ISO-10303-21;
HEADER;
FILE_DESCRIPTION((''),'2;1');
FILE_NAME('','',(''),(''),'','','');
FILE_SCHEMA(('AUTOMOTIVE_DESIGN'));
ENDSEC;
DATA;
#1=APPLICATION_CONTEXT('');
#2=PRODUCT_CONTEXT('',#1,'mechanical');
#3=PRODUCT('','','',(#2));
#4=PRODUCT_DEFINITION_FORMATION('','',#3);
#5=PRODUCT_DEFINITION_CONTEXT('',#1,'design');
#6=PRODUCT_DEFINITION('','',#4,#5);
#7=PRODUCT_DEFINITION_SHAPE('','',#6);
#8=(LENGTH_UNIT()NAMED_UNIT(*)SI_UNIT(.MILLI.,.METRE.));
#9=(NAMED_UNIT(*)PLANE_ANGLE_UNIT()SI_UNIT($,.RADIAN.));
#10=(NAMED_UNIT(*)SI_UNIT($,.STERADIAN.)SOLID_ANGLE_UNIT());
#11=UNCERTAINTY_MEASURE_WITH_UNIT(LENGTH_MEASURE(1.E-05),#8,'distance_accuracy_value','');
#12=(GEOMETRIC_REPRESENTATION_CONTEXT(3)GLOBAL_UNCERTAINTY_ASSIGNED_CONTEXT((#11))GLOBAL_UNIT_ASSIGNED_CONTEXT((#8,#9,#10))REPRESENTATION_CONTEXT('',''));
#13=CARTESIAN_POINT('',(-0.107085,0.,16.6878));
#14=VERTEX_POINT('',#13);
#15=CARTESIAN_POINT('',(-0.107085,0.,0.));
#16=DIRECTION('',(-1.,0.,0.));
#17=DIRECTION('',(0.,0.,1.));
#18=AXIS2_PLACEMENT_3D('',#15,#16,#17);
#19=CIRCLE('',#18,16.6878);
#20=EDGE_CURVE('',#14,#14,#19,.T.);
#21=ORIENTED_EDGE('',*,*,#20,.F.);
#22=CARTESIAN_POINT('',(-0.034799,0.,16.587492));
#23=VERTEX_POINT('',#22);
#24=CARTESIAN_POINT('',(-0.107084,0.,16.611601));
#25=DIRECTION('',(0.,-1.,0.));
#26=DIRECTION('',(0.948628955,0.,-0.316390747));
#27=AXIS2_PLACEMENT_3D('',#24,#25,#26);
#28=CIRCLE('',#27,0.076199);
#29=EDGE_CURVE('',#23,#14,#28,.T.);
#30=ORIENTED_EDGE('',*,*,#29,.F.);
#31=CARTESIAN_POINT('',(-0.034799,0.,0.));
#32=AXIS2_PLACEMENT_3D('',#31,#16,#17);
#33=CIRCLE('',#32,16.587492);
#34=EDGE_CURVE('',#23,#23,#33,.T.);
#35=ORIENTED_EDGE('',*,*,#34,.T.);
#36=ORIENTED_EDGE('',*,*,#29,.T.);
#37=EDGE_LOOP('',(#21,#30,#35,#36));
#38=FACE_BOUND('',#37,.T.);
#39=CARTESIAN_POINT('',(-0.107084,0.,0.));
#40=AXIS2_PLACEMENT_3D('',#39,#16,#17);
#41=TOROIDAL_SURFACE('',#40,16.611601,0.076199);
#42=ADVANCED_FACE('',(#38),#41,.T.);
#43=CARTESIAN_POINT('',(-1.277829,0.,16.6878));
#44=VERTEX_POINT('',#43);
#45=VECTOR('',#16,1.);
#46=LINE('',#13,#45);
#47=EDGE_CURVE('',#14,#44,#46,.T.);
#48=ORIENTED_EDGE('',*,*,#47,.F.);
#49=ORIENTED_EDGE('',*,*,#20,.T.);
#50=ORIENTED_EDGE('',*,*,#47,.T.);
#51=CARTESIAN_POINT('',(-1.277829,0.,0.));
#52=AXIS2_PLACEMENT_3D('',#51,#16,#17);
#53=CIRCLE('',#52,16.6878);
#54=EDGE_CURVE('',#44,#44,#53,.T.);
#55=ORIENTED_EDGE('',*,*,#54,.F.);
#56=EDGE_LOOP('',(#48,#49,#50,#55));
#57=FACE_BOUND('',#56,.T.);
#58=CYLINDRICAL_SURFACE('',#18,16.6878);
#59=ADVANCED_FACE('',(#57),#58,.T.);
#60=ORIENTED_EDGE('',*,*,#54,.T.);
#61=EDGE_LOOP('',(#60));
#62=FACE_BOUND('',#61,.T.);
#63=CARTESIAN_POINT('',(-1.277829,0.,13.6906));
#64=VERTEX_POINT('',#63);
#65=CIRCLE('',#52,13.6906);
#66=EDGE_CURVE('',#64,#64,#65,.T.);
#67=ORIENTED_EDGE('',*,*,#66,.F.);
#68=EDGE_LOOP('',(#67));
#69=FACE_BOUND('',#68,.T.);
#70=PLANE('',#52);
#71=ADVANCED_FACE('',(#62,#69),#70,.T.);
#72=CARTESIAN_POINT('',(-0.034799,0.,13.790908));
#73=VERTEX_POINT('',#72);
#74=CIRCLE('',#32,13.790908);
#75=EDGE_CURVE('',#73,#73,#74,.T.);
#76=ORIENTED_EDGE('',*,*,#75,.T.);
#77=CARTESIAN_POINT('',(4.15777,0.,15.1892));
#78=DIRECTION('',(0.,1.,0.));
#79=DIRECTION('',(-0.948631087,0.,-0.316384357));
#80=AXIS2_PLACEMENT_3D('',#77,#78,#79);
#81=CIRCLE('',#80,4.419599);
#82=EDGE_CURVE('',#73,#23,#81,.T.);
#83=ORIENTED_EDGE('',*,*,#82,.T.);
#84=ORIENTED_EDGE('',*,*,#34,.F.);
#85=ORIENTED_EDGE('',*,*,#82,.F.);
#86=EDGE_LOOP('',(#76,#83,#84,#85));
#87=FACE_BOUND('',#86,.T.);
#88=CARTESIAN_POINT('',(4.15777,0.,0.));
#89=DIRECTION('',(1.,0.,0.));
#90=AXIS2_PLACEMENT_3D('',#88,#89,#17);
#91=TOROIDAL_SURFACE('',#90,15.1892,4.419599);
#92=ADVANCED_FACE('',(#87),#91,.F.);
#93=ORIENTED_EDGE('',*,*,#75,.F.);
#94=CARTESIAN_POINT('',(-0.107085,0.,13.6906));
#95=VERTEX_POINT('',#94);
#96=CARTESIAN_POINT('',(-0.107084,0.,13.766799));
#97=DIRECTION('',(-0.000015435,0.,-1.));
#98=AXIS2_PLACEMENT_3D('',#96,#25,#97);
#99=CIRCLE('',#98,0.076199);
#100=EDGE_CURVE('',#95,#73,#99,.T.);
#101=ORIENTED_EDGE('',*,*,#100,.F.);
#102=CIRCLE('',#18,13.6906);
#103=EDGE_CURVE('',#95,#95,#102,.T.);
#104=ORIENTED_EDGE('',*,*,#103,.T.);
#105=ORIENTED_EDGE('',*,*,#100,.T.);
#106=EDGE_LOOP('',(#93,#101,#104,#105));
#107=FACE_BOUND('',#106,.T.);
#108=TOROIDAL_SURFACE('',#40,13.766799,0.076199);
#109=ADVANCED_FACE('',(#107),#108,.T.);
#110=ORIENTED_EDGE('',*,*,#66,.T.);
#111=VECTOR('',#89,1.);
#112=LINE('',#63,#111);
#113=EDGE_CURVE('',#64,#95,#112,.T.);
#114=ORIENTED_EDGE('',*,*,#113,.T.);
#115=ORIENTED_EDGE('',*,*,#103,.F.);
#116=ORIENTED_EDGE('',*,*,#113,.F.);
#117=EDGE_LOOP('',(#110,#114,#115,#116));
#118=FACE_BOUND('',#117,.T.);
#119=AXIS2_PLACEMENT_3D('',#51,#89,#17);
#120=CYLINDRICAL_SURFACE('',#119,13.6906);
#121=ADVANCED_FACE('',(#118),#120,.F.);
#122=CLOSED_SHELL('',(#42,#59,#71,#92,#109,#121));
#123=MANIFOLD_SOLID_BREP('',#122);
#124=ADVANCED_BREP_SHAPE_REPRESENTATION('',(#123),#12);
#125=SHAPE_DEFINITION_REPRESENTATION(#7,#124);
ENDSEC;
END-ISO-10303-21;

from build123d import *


with BuildPart() as f1:
    # F0 (on Front) → F1 (revolve)
    with BuildSketch(Plane.XZ):
        with BuildLine():
            ThreePointArc((-0.034799, 16.587492), (-0.045264, 16.65615), (-0.107085, 16.6878))
            Line((-0.107085, 16.6878), (-1.277829, 16.6878))
            Line((-1.277829, 16.6878), (-1.277829, 13.6906))
            Line((-1.277829, 13.6906), (-0.107085, 13.6906))
            ThreePointArc((-0.107085, 13.6906), (-0.045264, 13.72225), (-0.034799, 13.790908))
            ThreePointArc((-0.034799, 13.790908), (-0.261829, 15.1892), (-0.034799, 16.587492))
        make_face()
    revolve(axis=Axis((-3.079263, 0, 0), (-1, 0, 0)))


solid = f1.part
